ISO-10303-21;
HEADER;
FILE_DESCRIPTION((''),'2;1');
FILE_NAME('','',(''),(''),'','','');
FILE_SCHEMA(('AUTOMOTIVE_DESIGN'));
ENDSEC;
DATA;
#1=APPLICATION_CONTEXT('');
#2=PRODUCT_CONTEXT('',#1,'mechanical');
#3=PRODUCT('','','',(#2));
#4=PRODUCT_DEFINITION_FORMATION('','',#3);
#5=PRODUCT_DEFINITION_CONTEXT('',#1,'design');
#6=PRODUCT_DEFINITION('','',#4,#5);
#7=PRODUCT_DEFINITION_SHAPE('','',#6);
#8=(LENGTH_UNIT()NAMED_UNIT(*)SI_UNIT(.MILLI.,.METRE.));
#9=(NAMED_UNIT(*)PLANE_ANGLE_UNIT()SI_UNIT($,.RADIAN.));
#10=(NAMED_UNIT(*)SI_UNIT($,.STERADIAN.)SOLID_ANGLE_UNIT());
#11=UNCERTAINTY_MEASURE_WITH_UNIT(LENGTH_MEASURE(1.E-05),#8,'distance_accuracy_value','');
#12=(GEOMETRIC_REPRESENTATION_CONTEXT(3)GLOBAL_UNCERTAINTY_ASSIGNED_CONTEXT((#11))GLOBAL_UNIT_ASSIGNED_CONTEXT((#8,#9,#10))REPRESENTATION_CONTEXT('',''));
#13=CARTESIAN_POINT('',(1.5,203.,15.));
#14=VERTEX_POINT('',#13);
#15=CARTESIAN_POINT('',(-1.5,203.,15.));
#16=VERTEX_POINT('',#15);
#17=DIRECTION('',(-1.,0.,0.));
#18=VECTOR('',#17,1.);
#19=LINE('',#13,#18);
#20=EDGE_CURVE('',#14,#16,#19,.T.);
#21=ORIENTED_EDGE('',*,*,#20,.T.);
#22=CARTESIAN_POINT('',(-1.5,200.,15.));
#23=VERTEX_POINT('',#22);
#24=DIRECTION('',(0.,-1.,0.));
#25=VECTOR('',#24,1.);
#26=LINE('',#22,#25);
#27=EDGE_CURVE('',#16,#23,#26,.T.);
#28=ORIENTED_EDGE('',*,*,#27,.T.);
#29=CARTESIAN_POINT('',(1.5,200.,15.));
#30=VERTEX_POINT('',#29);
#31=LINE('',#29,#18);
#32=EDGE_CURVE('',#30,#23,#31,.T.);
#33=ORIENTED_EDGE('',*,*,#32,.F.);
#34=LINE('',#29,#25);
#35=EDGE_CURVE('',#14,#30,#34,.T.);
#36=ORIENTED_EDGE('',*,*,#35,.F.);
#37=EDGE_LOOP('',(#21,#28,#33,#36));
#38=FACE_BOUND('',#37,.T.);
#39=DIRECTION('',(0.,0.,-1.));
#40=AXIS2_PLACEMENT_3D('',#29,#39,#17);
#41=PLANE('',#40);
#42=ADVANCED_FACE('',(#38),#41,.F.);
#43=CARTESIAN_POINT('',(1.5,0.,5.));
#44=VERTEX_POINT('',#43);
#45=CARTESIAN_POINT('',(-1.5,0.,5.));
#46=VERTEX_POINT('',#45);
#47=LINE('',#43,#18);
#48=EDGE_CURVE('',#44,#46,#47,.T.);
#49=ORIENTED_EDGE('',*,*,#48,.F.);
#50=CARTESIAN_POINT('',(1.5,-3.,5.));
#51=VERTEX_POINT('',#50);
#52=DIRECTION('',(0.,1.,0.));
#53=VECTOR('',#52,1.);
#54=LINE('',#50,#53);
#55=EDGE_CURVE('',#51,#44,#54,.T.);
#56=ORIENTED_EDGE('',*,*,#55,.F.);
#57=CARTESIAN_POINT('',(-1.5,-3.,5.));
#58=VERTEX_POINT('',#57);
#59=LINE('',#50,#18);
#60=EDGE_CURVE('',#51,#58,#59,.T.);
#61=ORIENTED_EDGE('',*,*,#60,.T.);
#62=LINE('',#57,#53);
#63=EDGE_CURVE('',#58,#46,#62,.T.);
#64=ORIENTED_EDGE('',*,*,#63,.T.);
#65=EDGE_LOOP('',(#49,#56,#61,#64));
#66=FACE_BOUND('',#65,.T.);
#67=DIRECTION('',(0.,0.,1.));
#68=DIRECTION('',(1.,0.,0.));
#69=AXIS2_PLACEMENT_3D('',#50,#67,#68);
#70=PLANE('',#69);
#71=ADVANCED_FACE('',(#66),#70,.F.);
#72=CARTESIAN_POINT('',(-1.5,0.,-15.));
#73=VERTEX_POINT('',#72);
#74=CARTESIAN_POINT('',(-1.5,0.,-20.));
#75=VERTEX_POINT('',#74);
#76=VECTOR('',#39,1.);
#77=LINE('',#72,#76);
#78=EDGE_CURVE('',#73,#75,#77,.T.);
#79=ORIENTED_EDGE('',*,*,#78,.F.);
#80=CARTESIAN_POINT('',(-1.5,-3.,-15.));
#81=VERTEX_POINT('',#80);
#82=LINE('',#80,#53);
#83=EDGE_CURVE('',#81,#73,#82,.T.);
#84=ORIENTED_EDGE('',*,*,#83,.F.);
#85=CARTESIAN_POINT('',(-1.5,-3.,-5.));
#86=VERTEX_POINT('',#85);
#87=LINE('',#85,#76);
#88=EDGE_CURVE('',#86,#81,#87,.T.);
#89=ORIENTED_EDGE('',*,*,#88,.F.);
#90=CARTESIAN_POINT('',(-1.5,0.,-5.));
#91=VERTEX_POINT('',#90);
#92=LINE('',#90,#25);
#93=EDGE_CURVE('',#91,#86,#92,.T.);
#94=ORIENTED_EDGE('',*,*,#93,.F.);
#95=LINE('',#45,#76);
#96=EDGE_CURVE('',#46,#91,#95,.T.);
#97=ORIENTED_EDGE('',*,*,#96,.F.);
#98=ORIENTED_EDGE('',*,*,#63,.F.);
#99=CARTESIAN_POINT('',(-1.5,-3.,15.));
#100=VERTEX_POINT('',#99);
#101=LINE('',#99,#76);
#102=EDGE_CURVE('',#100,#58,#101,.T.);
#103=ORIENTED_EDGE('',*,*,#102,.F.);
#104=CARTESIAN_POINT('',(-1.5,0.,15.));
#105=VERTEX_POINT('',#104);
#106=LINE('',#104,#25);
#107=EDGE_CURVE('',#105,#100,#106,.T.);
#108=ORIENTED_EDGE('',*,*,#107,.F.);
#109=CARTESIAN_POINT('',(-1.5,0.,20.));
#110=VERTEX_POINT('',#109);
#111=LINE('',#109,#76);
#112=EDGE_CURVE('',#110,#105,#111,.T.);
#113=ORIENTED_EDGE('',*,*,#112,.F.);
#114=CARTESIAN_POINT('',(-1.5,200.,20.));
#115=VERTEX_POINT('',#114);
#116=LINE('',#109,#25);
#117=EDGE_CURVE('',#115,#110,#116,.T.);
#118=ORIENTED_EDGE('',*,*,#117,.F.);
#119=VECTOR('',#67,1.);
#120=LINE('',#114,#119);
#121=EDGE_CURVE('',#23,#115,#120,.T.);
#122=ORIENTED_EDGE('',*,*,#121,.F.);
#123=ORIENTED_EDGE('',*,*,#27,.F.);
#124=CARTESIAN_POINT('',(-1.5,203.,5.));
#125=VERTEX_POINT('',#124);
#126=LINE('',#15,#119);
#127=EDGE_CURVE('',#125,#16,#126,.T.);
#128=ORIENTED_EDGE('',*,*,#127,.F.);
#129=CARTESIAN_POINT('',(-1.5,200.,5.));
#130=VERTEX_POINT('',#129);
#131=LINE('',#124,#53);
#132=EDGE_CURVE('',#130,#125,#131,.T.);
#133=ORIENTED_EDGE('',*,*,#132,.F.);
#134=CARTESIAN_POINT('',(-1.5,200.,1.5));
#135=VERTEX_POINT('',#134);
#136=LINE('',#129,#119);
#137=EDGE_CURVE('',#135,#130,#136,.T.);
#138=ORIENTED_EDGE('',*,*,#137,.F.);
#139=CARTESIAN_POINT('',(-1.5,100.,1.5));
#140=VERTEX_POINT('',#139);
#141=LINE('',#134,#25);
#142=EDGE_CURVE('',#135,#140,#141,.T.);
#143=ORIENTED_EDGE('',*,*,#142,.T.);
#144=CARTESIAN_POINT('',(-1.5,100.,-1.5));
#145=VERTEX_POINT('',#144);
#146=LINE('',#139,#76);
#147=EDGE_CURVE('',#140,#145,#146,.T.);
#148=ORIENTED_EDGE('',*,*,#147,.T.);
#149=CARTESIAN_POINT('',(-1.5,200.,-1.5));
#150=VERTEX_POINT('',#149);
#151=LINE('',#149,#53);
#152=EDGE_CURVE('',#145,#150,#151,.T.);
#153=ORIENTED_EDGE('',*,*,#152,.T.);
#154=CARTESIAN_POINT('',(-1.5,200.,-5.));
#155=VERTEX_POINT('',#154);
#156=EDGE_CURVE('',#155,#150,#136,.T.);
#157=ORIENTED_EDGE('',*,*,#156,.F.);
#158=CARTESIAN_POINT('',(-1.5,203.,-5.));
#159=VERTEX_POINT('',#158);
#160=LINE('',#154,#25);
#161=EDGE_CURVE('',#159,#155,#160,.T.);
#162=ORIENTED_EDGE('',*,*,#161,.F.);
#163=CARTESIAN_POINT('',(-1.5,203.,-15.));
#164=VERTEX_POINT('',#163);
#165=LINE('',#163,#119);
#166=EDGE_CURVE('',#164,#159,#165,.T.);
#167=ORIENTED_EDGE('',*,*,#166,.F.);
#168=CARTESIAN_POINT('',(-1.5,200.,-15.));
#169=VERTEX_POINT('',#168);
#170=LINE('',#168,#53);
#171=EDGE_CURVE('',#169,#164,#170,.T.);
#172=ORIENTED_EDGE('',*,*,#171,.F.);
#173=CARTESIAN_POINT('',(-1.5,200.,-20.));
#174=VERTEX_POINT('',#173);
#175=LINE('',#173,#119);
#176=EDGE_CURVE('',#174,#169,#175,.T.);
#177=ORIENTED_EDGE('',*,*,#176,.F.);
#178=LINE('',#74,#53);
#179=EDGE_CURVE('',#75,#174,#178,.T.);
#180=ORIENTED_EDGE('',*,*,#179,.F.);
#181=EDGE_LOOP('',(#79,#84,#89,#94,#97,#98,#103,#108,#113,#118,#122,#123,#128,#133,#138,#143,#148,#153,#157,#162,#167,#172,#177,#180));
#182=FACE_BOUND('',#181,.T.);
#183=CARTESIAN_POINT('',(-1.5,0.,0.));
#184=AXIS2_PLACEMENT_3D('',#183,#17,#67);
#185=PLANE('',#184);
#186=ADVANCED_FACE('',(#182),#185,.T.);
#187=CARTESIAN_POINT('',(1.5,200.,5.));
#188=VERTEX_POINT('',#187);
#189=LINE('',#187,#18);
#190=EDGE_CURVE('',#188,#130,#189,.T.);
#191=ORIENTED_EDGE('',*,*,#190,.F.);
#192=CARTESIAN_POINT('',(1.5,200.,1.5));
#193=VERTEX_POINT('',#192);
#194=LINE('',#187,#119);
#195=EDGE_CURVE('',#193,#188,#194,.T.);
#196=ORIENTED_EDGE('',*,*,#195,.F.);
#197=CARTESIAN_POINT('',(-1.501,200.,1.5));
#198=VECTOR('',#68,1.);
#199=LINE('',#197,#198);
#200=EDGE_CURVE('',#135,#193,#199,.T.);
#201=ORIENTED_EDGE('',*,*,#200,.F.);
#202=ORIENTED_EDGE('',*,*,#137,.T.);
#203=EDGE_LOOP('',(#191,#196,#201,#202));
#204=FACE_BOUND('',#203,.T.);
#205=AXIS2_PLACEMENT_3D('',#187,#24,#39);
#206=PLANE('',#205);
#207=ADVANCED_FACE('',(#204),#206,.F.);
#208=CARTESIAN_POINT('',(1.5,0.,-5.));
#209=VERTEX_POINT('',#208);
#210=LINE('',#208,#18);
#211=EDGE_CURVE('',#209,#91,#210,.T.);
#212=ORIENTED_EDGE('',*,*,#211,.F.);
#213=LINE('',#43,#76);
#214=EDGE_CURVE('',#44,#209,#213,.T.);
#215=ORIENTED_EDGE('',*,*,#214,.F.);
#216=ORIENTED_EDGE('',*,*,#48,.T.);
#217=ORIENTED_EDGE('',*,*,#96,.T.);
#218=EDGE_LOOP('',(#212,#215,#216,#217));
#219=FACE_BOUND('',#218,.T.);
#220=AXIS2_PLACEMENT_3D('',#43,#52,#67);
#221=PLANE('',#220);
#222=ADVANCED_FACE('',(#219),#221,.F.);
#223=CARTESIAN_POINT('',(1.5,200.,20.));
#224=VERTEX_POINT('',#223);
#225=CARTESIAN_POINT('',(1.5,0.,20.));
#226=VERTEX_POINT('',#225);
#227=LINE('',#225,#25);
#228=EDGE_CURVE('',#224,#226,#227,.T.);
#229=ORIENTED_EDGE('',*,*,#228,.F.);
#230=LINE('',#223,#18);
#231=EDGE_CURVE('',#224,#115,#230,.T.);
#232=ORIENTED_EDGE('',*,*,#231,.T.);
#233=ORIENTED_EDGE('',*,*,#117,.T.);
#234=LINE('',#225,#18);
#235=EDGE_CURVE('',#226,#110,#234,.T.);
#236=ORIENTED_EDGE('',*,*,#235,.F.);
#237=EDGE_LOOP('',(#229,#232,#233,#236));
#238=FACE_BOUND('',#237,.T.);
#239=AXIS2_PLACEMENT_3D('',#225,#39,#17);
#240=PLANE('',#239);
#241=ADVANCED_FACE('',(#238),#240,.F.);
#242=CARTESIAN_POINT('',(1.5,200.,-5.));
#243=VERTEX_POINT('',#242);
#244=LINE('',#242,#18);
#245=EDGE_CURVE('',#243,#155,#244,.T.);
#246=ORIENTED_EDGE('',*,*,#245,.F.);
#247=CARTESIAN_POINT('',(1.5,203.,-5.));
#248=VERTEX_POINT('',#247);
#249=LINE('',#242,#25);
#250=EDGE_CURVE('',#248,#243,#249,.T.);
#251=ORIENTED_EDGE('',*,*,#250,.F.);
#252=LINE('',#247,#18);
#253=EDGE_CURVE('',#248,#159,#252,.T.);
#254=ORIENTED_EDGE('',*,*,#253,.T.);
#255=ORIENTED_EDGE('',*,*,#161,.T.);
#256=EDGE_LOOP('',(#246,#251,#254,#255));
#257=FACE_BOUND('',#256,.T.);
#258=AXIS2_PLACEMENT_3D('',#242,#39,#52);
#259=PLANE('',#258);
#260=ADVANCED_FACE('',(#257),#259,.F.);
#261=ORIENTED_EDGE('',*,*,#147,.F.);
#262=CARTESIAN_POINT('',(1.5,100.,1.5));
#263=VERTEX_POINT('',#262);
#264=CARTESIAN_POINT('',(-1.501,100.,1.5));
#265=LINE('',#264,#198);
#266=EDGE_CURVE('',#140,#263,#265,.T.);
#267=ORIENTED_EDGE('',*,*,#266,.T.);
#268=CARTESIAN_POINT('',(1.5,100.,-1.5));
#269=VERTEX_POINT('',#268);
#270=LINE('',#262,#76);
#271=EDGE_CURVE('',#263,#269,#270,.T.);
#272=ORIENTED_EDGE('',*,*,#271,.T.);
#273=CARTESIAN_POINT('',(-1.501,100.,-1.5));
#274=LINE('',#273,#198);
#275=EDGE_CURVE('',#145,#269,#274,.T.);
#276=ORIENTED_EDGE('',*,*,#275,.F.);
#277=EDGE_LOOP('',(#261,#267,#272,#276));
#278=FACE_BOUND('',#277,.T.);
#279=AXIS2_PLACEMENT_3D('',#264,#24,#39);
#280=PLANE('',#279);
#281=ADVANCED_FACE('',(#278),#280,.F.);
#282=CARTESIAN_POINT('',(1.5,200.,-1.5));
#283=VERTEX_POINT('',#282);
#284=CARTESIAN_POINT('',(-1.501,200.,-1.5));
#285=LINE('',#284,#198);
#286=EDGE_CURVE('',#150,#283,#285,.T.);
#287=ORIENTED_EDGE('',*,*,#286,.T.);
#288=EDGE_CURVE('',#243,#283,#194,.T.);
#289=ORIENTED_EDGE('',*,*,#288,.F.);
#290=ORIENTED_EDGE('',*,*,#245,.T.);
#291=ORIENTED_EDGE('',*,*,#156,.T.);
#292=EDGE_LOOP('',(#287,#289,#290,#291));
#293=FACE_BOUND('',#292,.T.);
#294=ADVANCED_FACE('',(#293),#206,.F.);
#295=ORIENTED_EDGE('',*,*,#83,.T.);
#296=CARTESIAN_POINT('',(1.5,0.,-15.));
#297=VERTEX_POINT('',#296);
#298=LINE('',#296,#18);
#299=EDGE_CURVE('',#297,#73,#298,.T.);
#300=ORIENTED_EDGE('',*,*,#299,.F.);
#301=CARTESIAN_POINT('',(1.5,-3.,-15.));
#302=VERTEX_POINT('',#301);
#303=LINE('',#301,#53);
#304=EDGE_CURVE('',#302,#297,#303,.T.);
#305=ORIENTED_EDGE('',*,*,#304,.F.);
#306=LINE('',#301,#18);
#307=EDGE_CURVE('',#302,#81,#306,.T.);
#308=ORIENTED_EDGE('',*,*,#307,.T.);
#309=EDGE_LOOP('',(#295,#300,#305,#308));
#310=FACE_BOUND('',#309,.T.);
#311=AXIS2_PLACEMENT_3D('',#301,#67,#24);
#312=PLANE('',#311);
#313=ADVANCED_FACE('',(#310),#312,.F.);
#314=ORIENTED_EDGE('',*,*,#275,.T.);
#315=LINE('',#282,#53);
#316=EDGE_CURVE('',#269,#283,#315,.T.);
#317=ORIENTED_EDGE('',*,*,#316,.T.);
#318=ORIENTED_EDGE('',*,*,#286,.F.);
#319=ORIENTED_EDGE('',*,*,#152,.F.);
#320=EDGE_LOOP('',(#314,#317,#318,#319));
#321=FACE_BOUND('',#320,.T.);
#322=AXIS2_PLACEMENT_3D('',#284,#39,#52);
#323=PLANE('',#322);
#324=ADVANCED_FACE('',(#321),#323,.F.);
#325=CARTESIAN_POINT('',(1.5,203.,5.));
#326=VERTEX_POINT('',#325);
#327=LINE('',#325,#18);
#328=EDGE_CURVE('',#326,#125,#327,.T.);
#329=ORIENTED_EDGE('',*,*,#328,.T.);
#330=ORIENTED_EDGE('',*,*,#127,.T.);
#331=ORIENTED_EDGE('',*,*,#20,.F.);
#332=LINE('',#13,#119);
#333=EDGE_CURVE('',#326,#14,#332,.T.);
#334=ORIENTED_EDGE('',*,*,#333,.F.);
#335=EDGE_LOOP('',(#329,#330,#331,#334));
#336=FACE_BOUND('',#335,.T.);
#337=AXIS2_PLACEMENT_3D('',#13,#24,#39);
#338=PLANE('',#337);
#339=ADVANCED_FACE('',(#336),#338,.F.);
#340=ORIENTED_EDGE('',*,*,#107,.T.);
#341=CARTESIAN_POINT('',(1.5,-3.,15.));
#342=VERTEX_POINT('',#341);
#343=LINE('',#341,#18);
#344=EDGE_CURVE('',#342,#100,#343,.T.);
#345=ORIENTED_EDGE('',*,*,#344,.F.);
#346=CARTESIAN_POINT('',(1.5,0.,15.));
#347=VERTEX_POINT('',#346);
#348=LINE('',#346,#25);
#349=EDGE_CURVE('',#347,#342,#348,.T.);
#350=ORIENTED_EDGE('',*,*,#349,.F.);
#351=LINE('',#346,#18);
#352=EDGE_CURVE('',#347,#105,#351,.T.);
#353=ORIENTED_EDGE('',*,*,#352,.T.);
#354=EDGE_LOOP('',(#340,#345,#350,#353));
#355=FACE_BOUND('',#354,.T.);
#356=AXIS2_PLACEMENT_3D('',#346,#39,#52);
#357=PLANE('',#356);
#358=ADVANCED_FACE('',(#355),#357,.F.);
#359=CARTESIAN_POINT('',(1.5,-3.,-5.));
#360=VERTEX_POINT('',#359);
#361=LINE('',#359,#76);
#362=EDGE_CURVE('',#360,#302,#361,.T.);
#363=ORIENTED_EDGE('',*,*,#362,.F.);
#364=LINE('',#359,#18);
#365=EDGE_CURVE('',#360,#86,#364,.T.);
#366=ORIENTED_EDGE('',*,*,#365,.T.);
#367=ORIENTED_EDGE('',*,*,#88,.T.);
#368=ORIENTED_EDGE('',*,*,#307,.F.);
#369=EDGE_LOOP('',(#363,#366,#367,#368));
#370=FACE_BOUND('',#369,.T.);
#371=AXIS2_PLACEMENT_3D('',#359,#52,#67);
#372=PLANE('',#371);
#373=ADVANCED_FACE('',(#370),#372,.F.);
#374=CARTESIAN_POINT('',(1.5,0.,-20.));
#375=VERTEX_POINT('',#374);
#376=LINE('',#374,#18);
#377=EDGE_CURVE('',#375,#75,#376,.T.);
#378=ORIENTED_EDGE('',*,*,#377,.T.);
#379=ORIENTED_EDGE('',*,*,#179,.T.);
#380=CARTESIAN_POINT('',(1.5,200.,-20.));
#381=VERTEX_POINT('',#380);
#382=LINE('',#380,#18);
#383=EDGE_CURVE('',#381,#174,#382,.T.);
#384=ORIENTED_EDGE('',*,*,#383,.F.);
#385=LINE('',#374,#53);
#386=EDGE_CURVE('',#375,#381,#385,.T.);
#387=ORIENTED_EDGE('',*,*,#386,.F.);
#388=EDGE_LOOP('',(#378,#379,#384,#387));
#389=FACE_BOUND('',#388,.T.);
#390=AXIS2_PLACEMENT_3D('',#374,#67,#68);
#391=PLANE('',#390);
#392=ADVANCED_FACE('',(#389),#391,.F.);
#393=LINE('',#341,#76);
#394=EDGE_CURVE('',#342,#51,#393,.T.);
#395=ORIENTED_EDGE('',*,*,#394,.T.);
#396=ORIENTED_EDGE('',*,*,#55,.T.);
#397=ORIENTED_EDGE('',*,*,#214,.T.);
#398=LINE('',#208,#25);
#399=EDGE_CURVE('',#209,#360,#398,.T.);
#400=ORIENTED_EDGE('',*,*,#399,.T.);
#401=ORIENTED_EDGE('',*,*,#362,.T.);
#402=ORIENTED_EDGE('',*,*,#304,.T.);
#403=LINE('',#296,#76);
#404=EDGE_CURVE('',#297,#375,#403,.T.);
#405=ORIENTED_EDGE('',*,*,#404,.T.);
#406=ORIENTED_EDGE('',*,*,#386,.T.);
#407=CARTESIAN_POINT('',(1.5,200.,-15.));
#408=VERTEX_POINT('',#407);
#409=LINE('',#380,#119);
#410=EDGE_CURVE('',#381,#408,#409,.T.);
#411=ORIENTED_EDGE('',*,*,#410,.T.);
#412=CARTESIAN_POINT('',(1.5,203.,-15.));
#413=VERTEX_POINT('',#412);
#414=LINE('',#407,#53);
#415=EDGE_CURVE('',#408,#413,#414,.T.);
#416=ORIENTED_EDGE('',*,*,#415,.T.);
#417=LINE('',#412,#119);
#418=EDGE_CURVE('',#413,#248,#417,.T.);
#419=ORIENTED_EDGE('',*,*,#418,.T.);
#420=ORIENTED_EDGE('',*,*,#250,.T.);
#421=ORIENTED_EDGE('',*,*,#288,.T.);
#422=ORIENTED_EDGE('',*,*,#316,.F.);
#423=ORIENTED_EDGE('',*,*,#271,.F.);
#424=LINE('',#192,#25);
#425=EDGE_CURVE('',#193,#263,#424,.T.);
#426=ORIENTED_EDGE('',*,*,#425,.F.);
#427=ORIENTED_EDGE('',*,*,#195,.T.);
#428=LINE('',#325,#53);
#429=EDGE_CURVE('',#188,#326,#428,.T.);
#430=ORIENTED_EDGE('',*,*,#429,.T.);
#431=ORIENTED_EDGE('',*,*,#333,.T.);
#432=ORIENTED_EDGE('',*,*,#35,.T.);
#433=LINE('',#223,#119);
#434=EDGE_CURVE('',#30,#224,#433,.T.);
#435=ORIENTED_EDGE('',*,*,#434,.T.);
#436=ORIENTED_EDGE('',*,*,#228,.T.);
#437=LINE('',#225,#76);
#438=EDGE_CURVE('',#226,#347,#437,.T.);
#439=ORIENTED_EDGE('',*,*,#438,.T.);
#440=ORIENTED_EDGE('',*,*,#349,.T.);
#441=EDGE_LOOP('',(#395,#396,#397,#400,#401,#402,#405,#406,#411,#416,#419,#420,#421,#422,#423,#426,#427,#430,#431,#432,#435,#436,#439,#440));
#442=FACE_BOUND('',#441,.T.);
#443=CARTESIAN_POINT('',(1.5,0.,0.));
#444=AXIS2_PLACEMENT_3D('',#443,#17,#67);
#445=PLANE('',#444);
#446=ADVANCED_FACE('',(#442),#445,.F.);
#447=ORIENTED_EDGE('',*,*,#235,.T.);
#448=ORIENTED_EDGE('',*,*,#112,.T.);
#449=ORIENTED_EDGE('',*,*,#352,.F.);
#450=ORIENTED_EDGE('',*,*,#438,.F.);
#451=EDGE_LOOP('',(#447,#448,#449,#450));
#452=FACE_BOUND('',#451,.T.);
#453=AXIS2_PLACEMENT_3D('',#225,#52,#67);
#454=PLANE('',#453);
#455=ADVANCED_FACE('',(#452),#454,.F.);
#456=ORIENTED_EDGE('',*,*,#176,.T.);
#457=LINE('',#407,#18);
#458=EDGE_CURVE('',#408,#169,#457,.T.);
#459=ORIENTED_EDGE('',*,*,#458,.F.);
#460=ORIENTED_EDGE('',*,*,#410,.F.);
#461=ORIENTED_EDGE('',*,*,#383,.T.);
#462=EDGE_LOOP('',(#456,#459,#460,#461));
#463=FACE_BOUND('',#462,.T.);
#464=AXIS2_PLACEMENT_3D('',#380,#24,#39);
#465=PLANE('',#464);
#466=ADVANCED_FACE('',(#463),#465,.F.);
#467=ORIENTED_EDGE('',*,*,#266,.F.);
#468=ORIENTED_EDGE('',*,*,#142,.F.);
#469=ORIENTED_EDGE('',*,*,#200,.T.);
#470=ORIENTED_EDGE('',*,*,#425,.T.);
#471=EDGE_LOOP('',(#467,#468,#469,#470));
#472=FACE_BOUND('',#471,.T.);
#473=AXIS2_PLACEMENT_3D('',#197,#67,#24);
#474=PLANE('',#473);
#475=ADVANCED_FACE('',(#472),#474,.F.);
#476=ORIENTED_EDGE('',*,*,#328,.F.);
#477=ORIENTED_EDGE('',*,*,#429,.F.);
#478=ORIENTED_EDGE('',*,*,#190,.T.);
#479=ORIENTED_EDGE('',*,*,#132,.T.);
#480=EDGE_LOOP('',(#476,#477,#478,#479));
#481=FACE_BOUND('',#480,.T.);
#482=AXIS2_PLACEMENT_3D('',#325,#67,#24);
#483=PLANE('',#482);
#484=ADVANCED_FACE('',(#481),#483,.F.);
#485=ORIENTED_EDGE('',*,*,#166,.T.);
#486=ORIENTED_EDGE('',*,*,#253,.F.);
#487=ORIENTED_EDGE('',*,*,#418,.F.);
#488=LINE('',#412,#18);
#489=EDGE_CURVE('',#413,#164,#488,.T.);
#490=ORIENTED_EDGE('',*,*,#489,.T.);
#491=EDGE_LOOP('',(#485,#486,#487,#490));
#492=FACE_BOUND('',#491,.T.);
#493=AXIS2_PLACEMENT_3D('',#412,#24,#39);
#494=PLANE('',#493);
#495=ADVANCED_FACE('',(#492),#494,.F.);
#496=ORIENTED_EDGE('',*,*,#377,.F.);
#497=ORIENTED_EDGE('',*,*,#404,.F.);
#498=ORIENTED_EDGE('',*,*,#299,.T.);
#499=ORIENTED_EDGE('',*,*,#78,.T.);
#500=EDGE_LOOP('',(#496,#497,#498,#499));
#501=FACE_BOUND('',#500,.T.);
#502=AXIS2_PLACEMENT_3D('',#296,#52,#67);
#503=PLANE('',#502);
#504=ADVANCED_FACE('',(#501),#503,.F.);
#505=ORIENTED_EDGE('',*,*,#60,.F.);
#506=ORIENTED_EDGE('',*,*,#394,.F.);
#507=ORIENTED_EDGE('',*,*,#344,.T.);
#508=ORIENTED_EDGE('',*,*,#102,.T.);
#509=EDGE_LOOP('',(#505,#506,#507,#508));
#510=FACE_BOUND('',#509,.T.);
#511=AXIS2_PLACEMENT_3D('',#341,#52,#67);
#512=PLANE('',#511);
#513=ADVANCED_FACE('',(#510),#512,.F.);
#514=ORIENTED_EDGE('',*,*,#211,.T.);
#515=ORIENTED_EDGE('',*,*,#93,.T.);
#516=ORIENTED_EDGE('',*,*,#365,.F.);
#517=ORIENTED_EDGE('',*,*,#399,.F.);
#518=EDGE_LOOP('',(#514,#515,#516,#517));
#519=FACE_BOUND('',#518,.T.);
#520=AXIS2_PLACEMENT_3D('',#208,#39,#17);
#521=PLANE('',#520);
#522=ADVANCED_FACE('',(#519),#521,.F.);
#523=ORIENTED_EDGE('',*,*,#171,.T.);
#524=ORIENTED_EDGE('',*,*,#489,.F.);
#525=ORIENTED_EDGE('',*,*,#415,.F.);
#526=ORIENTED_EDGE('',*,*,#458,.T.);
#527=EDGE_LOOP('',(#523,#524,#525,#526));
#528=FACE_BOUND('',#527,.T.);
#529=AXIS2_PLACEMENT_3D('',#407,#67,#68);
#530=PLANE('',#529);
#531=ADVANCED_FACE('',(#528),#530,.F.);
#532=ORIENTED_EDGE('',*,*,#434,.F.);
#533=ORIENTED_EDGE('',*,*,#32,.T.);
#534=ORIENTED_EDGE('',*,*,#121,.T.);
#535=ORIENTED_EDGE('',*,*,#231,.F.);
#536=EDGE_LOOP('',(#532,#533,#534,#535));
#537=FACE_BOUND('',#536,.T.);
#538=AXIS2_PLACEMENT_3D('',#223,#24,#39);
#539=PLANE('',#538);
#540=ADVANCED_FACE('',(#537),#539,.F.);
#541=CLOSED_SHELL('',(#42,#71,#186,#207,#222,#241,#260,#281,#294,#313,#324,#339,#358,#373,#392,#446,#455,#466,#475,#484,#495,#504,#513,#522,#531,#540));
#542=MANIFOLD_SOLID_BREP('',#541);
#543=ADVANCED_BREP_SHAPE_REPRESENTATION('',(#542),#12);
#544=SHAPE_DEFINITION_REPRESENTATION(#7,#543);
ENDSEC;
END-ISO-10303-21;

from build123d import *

# Parameters (mm, degrees)
SALIENTE_EXTRUIR1_DEPTH = 1.5
CORTAR_EXTRUIR1_REACH   = 5
CROQUIS2_W              = 3
CROQUIS2_H              = 100


with BuildPart() as part:
    # Croquis1 → Saliente-Extruir1 (new body, symmetric)
    with BuildSketch(Plane(origin=(0, 0, 0), x_dir=(0, 0, -1), z_dir=(1, 0, 0))):
        Polygon((-20, 0), (-15, 0), (-15, -3), (-5, -3), (-5, 0), (5, 0), (5, -3), (15, -3), (15, 0), (20, 0), (20, 200), (15, 200), (15, 203), (5, 203), (5, 200), (-5, 200), (-5, 203), (-15, 203), (-15, 200), (-20, 200), align=None)
    extrude(amount=SALIENTE_EXTRUIR1_DEPTH, both=True)

    # Croquis2 → Cortar-Extruir1 (cut, up to next)
    with BuildSketch(Plane(origin=(1.5, 0, 0), x_dir=(0, 0, -1), z_dir=(1, 0, 0)), mode=Mode.PRIVATE) as cortar_extruir1_sk1:
        with Locations((0, 150)):
            Rectangle(CROQUIS2_W, CROQUIS2_H)
    cortar_extruir1_tool1 = extrude(cortar_extruir1_sk1.sketch, amount=-CORTAR_EXTRUIR1_REACH, mode=Mode.PRIVATE) & part.part
    add(cortar_extruir1_tool1.solids().sort_by_distance((1.5, 150, 0))[0], mode=Mode.SUBTRACT)


solid = part.part
